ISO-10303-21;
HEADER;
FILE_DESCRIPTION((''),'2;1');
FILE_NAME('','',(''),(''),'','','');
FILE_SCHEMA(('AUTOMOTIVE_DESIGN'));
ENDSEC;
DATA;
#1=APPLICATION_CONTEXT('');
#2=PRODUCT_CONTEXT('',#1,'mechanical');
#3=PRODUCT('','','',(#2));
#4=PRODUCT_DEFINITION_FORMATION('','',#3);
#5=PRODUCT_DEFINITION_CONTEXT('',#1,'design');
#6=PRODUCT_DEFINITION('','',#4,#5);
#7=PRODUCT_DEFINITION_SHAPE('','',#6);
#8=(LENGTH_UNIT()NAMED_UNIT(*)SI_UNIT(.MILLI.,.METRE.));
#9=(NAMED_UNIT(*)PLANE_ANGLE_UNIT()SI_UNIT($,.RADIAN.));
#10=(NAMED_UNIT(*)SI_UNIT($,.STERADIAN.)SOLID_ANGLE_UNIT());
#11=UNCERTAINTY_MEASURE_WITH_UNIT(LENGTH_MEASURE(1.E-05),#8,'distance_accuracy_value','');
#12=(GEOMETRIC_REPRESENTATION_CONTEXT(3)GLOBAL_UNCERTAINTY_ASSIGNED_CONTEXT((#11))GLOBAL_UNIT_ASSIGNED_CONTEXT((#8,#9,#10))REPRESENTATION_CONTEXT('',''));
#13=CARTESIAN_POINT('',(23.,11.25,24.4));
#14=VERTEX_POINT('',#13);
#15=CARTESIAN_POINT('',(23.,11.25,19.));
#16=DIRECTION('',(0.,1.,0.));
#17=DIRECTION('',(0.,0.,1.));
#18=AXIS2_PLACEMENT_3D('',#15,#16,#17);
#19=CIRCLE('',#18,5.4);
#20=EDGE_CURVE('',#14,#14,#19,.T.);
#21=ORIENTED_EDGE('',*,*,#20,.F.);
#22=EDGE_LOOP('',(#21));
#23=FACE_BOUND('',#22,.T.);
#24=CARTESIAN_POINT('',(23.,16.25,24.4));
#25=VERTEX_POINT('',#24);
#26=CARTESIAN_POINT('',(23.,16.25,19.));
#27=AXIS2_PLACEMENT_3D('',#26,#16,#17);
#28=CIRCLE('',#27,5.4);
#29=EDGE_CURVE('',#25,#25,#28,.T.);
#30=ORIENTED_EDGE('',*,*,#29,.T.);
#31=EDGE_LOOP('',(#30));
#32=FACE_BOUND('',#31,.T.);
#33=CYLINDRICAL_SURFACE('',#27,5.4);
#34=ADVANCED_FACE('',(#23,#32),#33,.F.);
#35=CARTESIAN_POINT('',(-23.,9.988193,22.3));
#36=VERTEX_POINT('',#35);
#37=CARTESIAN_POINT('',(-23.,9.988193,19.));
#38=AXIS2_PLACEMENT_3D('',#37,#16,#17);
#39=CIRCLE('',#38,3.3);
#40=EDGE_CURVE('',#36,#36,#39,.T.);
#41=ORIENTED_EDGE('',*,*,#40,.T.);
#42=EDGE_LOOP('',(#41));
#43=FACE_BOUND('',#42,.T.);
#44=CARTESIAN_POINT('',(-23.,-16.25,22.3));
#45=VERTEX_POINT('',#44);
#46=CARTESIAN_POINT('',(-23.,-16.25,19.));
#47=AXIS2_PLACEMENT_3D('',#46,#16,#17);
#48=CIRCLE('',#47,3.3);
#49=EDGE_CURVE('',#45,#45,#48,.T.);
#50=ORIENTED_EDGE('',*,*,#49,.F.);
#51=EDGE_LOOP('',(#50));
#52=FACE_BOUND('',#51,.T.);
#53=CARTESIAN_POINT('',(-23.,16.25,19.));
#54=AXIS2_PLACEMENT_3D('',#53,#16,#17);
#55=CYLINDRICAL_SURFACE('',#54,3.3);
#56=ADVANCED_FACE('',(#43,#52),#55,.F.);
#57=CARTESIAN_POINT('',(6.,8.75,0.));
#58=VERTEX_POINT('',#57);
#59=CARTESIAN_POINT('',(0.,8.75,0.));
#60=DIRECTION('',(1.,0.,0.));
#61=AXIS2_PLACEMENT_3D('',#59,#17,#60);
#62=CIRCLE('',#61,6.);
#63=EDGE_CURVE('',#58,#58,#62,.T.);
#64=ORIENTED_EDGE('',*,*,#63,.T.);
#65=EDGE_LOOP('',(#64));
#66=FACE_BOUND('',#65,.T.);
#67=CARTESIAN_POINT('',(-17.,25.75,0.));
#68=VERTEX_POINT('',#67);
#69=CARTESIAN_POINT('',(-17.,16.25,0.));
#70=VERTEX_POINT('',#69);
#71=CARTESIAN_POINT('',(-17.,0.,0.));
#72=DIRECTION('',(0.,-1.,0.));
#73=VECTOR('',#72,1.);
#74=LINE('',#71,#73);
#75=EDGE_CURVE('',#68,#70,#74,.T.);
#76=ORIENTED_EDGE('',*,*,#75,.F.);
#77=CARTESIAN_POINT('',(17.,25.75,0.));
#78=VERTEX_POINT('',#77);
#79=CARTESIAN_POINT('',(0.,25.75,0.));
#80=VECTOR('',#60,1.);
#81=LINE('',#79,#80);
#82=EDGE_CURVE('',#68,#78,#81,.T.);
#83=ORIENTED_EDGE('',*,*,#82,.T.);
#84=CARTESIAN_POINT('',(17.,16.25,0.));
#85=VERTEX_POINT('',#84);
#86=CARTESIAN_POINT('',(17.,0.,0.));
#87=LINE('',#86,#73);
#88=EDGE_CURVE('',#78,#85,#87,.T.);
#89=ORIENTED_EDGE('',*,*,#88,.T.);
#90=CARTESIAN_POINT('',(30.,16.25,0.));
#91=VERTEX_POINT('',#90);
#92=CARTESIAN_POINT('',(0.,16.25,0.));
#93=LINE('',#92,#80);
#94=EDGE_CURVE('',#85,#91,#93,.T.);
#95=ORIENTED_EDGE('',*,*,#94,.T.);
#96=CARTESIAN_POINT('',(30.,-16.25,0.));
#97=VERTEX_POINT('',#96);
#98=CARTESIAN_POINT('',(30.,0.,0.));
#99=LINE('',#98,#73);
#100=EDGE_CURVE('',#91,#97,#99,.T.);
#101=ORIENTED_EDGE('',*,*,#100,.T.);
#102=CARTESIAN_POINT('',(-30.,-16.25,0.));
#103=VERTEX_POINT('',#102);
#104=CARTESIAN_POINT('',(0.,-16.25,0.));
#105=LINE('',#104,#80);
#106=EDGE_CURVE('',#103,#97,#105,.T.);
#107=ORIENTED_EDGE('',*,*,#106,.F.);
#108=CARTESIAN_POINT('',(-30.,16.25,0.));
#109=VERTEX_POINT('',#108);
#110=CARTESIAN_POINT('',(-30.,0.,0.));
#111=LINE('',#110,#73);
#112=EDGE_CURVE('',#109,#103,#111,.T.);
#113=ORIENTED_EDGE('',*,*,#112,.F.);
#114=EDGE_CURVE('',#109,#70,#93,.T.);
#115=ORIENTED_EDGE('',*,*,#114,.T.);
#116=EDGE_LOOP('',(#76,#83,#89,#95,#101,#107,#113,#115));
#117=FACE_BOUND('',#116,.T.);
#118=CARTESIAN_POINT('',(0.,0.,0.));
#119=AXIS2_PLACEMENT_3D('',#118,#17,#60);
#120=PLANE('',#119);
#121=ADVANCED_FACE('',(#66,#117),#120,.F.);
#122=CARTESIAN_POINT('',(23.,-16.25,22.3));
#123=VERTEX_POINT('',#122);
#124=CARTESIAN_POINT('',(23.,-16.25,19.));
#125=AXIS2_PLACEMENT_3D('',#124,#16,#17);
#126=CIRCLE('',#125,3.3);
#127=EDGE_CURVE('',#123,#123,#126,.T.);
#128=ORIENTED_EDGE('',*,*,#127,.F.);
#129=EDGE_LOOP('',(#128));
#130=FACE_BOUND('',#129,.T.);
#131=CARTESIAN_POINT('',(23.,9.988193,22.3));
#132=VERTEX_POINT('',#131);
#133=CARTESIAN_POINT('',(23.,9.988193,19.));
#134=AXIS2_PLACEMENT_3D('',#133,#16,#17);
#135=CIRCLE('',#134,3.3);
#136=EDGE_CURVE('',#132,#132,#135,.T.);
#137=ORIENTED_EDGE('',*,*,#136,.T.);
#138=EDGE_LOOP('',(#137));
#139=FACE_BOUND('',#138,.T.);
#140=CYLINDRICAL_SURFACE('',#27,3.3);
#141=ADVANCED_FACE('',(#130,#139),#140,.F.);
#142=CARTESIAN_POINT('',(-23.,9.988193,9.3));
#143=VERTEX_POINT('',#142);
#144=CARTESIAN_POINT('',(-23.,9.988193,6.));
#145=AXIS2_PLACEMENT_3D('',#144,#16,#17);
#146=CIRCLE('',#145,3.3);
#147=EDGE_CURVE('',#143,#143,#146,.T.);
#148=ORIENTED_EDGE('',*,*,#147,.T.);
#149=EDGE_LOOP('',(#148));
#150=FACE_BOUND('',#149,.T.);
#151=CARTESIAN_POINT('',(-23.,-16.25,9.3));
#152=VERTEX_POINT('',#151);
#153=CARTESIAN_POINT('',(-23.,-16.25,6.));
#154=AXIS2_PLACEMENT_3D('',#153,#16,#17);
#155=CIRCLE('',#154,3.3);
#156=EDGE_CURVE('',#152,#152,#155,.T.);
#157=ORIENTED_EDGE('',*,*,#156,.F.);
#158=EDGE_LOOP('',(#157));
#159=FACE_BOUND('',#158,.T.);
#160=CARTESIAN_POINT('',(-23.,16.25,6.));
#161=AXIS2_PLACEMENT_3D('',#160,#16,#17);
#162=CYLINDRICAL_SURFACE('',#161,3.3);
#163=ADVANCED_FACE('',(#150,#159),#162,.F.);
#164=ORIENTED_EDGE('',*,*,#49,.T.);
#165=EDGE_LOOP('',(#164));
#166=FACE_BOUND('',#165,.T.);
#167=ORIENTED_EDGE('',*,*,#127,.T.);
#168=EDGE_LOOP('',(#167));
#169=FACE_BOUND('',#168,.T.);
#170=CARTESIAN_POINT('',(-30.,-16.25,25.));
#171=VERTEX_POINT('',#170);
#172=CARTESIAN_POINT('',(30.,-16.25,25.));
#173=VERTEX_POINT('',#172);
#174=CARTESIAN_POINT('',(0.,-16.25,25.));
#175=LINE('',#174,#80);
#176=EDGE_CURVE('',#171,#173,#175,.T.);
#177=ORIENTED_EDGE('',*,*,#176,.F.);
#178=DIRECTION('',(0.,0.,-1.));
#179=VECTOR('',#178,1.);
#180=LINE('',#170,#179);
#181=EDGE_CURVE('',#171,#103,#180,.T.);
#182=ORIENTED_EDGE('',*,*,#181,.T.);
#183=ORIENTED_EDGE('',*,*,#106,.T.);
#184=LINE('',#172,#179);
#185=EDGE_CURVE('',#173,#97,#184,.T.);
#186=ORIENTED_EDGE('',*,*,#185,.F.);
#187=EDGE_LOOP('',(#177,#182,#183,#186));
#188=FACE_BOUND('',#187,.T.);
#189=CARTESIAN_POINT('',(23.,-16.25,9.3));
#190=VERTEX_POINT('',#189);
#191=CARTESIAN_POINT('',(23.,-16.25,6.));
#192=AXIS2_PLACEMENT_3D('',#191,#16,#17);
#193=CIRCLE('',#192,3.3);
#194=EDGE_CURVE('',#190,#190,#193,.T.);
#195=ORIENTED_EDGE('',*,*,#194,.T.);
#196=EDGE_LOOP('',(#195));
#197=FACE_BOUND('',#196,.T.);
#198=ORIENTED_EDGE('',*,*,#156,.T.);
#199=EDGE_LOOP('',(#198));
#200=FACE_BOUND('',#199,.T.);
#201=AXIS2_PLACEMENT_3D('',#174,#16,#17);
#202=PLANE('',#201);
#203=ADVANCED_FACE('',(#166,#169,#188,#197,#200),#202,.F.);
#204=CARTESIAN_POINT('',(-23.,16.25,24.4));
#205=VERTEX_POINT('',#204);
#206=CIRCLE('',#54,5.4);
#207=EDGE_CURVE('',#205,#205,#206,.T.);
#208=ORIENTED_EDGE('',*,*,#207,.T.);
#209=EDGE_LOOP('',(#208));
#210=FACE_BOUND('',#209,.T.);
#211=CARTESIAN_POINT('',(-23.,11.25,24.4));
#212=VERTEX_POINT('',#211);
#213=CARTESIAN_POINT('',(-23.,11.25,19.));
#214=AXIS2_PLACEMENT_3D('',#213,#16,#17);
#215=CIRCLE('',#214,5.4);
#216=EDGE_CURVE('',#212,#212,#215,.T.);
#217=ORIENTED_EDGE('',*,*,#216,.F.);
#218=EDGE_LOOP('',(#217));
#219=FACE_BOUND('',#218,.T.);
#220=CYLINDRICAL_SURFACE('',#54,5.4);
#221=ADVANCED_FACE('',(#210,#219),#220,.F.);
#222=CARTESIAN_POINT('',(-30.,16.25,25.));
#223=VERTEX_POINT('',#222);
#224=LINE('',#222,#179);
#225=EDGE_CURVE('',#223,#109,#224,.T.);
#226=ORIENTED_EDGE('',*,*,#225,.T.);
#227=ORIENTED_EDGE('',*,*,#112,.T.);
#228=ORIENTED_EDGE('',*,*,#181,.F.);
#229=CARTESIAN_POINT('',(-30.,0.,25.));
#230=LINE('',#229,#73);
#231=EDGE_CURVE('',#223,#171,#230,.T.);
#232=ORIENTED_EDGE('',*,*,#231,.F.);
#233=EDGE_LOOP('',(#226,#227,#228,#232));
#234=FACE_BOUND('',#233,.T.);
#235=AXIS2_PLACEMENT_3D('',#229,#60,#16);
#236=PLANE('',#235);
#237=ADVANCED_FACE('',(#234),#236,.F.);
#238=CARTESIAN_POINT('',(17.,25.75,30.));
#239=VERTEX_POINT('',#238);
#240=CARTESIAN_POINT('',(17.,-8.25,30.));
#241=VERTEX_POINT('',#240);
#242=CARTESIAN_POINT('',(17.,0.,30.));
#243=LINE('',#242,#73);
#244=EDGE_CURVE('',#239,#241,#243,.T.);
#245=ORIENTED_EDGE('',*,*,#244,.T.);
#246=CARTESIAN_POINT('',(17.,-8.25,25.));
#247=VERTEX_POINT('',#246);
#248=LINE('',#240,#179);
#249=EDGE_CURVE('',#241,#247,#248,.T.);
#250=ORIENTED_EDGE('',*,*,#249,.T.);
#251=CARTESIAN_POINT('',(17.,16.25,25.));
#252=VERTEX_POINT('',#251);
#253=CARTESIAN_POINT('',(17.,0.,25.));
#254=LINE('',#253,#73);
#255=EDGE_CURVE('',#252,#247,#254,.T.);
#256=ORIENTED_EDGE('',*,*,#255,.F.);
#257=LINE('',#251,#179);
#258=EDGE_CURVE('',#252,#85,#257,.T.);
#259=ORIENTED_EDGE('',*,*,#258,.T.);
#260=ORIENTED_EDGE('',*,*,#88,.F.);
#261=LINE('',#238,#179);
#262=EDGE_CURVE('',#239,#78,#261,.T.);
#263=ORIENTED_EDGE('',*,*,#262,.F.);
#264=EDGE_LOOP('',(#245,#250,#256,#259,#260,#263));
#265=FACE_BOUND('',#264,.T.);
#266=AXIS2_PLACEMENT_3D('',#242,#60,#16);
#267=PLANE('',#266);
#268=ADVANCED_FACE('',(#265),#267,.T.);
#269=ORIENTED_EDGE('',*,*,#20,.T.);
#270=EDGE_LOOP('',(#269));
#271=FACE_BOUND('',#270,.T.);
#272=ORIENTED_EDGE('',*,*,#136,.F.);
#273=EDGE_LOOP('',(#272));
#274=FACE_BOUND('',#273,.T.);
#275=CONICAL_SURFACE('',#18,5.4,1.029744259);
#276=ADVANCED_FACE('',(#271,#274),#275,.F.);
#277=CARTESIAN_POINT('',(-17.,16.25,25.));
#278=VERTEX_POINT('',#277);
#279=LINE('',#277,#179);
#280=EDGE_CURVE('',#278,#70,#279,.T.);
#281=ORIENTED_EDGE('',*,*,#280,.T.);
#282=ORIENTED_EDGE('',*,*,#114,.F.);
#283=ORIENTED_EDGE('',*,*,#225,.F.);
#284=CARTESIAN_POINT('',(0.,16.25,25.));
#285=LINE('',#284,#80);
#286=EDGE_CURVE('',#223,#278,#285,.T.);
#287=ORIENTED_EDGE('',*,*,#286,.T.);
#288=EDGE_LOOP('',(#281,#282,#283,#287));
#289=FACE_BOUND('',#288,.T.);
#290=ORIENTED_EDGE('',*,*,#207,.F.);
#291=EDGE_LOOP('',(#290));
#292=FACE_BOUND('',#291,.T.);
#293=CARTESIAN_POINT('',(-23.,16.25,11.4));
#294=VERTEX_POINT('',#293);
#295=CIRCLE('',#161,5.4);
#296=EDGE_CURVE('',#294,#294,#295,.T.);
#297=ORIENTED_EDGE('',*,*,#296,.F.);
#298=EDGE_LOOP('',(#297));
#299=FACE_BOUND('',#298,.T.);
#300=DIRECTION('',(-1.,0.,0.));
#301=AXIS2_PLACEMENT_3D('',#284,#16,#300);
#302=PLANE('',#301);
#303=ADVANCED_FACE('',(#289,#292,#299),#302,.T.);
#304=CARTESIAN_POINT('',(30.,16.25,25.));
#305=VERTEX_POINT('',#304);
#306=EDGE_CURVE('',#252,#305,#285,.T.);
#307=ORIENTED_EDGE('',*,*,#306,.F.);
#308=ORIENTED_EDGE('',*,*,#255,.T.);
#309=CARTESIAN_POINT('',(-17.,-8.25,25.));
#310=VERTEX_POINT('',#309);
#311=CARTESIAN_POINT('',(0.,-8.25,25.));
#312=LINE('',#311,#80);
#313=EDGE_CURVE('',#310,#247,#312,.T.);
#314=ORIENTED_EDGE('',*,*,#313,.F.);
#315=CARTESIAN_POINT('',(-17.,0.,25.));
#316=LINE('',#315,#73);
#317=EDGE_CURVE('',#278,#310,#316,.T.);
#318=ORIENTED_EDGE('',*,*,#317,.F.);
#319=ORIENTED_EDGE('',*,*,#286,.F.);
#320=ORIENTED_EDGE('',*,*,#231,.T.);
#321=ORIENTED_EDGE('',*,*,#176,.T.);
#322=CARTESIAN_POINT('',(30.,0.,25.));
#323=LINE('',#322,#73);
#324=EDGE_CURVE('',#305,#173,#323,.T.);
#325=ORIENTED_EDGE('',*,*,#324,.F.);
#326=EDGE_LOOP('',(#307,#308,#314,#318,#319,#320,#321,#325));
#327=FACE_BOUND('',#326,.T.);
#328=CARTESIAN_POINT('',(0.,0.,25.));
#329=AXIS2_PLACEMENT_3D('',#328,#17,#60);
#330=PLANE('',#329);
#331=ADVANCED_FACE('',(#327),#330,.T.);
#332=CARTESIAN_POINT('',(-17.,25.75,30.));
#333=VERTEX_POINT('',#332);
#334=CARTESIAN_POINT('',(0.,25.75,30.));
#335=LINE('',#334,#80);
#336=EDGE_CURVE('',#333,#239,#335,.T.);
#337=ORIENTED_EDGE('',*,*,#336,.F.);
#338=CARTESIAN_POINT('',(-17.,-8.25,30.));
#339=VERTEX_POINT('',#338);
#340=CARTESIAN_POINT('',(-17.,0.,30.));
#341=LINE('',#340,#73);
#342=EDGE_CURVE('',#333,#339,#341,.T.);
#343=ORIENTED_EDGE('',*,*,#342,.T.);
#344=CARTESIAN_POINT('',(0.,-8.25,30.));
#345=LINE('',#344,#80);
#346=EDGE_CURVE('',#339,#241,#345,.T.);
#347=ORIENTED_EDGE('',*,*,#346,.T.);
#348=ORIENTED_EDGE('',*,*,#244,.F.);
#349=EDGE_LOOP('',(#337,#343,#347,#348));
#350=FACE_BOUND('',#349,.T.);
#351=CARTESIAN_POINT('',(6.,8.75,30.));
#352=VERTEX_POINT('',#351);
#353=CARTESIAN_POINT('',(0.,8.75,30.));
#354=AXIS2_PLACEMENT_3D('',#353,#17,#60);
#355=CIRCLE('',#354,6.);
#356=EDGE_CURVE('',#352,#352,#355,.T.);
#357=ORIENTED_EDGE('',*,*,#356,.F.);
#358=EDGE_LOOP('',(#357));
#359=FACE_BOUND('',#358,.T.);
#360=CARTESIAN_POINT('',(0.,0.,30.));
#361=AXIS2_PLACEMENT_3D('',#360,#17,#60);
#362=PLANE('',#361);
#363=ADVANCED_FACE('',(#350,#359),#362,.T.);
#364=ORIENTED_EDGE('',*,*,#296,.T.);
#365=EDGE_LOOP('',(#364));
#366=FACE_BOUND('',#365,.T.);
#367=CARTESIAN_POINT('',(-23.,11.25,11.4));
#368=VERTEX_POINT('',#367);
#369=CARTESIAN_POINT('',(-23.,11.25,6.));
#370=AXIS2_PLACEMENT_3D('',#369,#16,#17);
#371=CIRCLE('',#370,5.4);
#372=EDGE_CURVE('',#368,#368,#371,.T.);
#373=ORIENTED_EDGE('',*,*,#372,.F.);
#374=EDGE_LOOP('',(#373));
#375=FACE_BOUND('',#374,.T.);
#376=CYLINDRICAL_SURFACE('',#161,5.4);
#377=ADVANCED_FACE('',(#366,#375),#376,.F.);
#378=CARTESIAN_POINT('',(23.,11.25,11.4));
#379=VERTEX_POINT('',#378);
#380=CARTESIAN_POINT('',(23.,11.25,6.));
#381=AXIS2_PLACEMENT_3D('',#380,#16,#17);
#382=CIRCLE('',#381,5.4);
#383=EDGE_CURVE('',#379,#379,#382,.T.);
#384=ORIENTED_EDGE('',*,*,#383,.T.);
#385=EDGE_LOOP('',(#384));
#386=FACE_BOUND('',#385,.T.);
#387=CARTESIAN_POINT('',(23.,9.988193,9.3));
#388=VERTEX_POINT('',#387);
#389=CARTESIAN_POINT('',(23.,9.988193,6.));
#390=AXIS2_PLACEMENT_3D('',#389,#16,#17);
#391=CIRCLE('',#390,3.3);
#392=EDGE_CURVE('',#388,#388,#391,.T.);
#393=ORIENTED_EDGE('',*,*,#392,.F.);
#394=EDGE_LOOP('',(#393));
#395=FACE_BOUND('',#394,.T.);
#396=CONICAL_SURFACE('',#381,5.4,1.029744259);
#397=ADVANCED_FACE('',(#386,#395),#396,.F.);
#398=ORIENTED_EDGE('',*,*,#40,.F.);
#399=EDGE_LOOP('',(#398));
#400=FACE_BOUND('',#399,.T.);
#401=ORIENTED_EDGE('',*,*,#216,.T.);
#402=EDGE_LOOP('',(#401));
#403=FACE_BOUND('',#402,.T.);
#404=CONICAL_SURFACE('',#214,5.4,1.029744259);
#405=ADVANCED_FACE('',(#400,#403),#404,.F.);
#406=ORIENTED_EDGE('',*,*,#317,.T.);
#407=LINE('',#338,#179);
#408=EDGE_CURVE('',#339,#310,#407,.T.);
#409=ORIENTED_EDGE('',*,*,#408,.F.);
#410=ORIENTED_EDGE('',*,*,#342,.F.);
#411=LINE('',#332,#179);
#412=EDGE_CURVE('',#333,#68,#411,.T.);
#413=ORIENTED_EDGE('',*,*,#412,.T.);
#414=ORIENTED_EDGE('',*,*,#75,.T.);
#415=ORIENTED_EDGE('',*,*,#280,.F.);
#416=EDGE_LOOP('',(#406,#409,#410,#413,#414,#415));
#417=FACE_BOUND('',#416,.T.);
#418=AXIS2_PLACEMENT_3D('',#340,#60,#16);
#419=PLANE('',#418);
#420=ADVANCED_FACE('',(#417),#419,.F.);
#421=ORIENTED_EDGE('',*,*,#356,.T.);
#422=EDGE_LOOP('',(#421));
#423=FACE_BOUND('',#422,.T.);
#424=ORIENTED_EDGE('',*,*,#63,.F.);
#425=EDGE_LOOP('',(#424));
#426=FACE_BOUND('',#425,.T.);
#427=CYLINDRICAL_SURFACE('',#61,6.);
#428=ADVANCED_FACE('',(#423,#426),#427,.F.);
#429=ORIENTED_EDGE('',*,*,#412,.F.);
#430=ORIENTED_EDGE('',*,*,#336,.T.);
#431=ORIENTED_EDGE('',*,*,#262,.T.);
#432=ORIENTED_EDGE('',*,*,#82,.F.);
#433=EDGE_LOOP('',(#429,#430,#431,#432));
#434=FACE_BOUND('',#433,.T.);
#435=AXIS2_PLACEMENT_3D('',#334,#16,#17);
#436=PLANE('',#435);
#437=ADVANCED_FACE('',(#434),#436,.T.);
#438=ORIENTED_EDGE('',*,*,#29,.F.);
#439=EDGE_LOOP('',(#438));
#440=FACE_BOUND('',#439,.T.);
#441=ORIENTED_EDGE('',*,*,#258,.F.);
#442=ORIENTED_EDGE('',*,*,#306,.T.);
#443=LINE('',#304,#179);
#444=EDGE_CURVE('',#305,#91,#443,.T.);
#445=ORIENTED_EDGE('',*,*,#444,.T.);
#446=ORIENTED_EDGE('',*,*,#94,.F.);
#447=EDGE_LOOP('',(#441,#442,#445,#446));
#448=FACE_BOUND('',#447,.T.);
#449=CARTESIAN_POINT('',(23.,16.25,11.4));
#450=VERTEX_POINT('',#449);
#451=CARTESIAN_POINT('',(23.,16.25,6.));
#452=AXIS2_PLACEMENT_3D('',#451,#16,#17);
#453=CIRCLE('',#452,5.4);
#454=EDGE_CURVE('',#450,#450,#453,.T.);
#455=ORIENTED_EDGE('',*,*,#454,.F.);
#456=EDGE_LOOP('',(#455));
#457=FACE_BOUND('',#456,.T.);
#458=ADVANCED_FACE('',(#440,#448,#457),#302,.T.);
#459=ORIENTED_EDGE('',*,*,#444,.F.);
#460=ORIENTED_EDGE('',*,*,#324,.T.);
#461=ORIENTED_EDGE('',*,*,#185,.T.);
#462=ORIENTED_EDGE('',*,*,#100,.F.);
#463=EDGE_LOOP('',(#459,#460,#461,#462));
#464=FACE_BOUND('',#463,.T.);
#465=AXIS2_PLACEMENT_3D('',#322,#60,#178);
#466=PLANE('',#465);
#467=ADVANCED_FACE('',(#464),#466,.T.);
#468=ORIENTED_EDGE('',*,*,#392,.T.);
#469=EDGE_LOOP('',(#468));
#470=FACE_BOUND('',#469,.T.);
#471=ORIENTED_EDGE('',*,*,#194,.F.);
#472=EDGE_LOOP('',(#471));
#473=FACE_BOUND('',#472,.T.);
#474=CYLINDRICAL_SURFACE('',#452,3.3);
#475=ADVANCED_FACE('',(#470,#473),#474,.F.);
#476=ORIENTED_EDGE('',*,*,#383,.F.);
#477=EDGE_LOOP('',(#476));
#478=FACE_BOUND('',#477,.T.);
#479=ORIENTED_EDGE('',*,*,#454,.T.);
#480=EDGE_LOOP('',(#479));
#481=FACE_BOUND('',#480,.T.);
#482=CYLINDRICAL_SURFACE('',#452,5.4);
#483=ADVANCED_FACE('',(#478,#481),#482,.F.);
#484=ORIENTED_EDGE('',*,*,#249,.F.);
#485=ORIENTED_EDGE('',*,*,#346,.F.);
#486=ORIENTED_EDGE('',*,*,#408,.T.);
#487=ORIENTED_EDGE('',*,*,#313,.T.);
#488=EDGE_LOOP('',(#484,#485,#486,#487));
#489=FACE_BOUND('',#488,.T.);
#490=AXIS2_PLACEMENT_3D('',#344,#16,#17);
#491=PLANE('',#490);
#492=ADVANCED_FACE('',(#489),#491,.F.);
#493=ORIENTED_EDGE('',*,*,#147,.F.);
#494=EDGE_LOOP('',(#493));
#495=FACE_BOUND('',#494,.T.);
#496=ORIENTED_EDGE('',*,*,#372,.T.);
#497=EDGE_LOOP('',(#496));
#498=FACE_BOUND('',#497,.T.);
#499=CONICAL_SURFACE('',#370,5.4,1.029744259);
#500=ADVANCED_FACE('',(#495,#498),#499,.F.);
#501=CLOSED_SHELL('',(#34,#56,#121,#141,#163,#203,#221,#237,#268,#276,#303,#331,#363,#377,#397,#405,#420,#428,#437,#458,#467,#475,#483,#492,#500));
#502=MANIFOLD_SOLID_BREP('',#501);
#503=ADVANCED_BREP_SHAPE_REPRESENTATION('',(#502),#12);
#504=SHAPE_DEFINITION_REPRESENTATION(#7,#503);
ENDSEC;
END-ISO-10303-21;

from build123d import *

# Parameters (mm, degrees)
BOSS_EXTRUDE1_DEPTH              = 25
SKETCH1_3_W                      = 34
SKETCH1_3_H                      = 34
BOSS_EXTRUDE2_DEPTH              = 30
F_6_6_6_6_DIAMETER_HOLE1_D       = 6.6
SKETCH4_R                        = 6
CUT_EXTRUDE1_DEPTH               = 30
F_10_8_10_8_DIAMETER_HOLE1_D     = 10.8
F_10_8_10_8_DIAMETER_HOLE1_DEPTH = 5
F_10_8_10_8_DIAMETER_HOLE1_TIP   = 3.244647343


with BuildPart() as part:
    # Sketch1 → Boss-Extrude1 (new body)
    with BuildSketch(Plane.XY):
        Polygon((-17, 16.25), (-30, 16.25), (-30, -16.25), (30, -16.25), (30, 16.25), (17, 16.25), (17, -8.25), (-17, -8.25), align=None)
    extrude(amount=BOSS_EXTRUDE1_DEPTH)

    # Sketch1<3> → Boss-Extrude2 (add)
    with BuildSketch(Plane.XY):
        with Locations((0, 8.75)):
            Rectangle(SKETCH1_3_W, SKETCH1_3_H)
    extrude(amount=BOSS_EXTRUDE2_DEPTH)

    # Ø6.6 (6.6) Diameter Hole1 (through all)
    with Locations(Plane(origin=(0, 16.25, 0), x_dir=(1, 0, 0), z_dir=(0, 1, 0))):
        with Locations((-23, -19), (-23, -6), (23, -6), (23, -19)):
            Hole(F_6_6_6_6_DIAMETER_HOLE1_D / 2)

    # Sketch4 → Cut-Extrude1 (cut)
    with BuildSketch(Plane.XY.offset(30)):
        with Locations((0, 8.75)):
            Circle(SKETCH4_R)
    extrude(amount=-CUT_EXTRUDE1_DEPTH, mode=Mode.SUBTRACT)

    # Ø10.8 (10.8) Diameter Hole1
    with Locations(Plane(origin=(0, 16.25, 0), x_dir=(1, 0, 0), z_dir=(0, 1, 0))):
        with Locations((-23, -19), (-23, -6), (23, -6), (23, -19)):
            Hole(F_10_8_10_8_DIAMETER_HOLE1_D / 2, depth=F_10_8_10_8_DIAMETER_HOLE1_DEPTH)
            with Locations((0, 0, -(F_10_8_10_8_DIAMETER_HOLE1_DEPTH + F_10_8_10_8_DIAMETER_HOLE1_TIP / 2))):  # 118° drill point
                Cone(0, F_10_8_10_8_DIAMETER_HOLE1_D / 2, F_10_8_10_8_DIAMETER_HOLE1_TIP, mode=Mode.SUBTRACT)


solid = part.part
